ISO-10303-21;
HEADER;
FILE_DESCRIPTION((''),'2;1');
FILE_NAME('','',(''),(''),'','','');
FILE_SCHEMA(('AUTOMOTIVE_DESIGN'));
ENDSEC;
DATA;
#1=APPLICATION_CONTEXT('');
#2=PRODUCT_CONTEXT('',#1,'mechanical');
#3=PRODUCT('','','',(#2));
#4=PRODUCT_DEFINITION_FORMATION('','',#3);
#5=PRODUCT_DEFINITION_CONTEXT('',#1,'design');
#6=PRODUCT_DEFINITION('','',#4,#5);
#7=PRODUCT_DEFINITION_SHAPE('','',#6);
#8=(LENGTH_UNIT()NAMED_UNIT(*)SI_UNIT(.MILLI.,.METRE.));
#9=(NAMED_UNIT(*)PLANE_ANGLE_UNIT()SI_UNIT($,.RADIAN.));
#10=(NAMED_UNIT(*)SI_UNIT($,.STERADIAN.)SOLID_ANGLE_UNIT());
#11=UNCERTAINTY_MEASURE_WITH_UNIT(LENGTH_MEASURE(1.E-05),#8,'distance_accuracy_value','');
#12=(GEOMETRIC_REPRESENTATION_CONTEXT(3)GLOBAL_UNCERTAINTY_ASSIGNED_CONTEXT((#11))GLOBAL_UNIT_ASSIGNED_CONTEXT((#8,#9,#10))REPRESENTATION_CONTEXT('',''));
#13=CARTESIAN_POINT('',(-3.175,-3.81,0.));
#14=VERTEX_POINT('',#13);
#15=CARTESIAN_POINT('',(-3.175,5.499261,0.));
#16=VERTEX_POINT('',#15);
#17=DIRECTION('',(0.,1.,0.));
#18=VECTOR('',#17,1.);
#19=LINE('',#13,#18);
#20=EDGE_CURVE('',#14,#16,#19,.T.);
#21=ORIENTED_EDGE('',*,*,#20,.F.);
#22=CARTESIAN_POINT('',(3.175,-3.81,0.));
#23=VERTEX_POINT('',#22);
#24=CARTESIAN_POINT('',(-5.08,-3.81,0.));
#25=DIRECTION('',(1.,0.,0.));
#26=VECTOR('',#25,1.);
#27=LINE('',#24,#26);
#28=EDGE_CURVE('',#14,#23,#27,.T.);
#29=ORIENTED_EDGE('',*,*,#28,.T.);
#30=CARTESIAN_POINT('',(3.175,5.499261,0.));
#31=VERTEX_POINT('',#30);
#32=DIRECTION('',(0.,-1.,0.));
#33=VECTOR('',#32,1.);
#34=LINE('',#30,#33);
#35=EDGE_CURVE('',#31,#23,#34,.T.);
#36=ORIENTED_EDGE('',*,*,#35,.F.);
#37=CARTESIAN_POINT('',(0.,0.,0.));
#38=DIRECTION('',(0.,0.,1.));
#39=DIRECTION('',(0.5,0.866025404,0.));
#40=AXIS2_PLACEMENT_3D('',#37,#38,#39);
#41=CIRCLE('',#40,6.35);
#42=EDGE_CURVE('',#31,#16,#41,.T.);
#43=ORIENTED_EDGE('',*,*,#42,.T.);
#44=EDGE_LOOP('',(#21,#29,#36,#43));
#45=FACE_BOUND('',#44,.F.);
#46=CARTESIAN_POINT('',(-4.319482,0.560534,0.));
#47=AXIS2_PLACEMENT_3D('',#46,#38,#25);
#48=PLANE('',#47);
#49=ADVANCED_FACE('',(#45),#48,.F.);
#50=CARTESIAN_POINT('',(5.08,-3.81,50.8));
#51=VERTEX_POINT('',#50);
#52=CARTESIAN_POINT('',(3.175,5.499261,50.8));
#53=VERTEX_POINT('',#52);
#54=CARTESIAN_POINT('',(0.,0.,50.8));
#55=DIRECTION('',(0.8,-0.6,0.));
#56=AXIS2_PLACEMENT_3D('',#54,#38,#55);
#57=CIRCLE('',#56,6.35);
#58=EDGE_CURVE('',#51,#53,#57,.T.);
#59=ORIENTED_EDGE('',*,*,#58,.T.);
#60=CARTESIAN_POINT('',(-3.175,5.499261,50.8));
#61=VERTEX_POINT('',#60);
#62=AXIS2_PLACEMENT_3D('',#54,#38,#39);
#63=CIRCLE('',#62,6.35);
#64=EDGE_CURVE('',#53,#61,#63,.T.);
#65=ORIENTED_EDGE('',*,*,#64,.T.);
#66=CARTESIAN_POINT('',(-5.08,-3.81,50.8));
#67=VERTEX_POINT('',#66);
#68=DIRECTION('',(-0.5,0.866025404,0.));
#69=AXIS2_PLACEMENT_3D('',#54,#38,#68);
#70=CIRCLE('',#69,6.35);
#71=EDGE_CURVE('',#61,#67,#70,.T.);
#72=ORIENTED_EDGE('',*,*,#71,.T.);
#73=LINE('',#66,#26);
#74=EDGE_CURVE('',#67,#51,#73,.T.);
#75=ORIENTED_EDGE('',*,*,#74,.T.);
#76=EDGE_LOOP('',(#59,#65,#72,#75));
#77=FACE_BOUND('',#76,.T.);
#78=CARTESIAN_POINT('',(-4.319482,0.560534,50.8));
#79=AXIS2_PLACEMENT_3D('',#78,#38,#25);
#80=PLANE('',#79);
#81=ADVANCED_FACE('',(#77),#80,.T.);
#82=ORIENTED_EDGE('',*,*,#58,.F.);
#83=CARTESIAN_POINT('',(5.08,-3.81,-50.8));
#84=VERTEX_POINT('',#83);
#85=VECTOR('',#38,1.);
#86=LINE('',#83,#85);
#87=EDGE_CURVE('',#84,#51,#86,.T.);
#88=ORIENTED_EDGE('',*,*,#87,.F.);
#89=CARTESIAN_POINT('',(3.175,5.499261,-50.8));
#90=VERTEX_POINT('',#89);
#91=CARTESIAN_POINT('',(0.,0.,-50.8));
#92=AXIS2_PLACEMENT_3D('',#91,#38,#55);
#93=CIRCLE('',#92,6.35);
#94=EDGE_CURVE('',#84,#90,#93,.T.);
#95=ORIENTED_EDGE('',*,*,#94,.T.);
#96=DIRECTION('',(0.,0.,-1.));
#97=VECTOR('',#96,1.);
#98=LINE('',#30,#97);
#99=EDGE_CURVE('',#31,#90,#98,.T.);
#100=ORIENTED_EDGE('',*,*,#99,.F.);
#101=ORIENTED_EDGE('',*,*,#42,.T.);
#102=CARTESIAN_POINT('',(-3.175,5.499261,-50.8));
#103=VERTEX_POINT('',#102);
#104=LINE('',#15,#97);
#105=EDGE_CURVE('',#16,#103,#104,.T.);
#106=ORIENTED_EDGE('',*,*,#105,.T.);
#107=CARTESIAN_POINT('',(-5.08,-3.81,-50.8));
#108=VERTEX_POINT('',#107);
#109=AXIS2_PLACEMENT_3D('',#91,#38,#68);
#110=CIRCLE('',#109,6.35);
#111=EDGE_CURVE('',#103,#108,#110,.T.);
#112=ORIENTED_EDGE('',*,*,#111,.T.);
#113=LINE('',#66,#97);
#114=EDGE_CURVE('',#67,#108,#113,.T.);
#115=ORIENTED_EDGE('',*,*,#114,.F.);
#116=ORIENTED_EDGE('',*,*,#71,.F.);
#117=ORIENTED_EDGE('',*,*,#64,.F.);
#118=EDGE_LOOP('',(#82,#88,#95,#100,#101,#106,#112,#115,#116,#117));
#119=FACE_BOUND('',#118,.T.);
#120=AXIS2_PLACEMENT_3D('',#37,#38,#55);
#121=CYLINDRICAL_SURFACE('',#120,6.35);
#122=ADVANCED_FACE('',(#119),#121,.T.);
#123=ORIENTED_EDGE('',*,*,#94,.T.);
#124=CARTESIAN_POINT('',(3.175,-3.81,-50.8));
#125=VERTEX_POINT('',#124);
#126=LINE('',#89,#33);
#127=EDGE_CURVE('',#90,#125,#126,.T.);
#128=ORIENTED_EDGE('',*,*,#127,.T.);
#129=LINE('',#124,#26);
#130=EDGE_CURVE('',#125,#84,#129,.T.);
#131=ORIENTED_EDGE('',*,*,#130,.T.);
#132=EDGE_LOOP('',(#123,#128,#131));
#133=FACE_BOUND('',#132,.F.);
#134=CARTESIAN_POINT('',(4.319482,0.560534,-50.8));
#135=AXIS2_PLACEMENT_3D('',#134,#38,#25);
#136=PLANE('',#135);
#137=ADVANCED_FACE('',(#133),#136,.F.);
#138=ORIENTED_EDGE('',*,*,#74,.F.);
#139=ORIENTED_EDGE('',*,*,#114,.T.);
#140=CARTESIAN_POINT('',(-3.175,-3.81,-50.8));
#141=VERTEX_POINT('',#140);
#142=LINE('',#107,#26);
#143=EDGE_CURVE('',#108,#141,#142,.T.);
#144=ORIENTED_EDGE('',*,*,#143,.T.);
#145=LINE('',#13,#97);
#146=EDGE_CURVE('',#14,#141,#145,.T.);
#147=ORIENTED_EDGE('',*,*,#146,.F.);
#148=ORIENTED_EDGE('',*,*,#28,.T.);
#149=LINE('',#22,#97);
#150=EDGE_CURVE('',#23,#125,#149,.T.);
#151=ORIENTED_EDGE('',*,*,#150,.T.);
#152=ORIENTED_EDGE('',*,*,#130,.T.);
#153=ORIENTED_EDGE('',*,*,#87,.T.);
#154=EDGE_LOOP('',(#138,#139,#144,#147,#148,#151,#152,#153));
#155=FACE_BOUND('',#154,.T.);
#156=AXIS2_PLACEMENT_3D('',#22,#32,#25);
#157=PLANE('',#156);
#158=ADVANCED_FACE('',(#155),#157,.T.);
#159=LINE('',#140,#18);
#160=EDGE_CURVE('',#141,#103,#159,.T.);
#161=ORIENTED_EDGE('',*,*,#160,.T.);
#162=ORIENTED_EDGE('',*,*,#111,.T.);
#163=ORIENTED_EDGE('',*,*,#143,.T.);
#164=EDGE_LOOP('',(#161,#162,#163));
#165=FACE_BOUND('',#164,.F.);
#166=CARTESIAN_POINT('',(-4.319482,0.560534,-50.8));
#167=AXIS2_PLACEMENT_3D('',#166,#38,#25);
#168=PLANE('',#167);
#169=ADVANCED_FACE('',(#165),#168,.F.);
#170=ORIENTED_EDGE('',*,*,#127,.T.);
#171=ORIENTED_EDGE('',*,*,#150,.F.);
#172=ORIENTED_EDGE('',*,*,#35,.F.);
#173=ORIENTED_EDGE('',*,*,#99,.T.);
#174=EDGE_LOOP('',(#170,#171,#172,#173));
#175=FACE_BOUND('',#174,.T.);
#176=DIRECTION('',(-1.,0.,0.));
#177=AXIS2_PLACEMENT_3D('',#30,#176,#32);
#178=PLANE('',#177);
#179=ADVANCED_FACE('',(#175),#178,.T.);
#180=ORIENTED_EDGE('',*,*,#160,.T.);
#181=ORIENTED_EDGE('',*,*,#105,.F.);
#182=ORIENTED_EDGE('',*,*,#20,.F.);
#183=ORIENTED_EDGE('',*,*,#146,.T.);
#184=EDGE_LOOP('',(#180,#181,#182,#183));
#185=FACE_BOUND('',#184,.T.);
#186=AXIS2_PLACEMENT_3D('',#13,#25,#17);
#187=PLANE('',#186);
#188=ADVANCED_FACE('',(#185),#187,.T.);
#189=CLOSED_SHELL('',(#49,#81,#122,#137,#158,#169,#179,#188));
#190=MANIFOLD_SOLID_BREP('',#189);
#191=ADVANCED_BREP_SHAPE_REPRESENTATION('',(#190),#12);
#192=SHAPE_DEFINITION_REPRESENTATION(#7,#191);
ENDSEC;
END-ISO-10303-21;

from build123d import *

# Parameters (mm, degrees)
F1_DEPTH = 50.8
F2_DEPTH = 50.8


with BuildPart() as f1:
    # F0 (on Top) → F1 (new body)
    with BuildSketch(Plane.XY):
        with BuildLine():
            Line((-3.175, -3.81), (-3.175, 5.499261314))
            ThreePointArc((-3.175, 5.499261314), (-6.2210805173, 1.2730503512), (-5.08, -3.81))
            Line((-5.08, -3.81), (-3.175, -3.81))
        make_face()
        with BuildLine():
            Line((3.175, -3.81), (3.175, 5.499261314))
            ThreePointArc((3.175, 5.499261314), (0, 6.35), (-3.175, 5.499261314))
            Line((-3.175, 5.499261314), (-3.175, -3.81))
            Line((-3.175, -3.81), (3.175, -3.81))
        make_face()
        with BuildLine():
            Line((3.175, -3.81), (5.08, -3.81))
            ThreePointArc((5.08, -3.81), (6.2210805173, 1.2730503512), (3.175, 5.499261314))
            Line((3.175, 5.499261314), (3.175, -3.81))
        make_face()
    extrude(amount=F1_DEPTH)

    # F0 (on Top) → F2 (join)
    with BuildSketch(Plane.XY):
        with BuildLine():
            Line((3.175, -3.81), (5.08, -3.81))
            ThreePointArc((5.08, -3.81), (6.2210805173, 1.2730503512), (3.175, 5.499261314))
            Line((3.175, 5.499261314), (3.175, -3.81))
        make_face()
        with BuildLine():
            Line((-3.175, -3.81), (-3.175, 5.499261314))
            ThreePointArc((-3.175, 5.499261314), (-6.2210805173, 1.2730503512), (-5.08, -3.81))
            Line((-5.08, -3.81), (-3.175, -3.81))
        make_face()
    extrude(amount=-F2_DEPTH)


solid = f1.part
